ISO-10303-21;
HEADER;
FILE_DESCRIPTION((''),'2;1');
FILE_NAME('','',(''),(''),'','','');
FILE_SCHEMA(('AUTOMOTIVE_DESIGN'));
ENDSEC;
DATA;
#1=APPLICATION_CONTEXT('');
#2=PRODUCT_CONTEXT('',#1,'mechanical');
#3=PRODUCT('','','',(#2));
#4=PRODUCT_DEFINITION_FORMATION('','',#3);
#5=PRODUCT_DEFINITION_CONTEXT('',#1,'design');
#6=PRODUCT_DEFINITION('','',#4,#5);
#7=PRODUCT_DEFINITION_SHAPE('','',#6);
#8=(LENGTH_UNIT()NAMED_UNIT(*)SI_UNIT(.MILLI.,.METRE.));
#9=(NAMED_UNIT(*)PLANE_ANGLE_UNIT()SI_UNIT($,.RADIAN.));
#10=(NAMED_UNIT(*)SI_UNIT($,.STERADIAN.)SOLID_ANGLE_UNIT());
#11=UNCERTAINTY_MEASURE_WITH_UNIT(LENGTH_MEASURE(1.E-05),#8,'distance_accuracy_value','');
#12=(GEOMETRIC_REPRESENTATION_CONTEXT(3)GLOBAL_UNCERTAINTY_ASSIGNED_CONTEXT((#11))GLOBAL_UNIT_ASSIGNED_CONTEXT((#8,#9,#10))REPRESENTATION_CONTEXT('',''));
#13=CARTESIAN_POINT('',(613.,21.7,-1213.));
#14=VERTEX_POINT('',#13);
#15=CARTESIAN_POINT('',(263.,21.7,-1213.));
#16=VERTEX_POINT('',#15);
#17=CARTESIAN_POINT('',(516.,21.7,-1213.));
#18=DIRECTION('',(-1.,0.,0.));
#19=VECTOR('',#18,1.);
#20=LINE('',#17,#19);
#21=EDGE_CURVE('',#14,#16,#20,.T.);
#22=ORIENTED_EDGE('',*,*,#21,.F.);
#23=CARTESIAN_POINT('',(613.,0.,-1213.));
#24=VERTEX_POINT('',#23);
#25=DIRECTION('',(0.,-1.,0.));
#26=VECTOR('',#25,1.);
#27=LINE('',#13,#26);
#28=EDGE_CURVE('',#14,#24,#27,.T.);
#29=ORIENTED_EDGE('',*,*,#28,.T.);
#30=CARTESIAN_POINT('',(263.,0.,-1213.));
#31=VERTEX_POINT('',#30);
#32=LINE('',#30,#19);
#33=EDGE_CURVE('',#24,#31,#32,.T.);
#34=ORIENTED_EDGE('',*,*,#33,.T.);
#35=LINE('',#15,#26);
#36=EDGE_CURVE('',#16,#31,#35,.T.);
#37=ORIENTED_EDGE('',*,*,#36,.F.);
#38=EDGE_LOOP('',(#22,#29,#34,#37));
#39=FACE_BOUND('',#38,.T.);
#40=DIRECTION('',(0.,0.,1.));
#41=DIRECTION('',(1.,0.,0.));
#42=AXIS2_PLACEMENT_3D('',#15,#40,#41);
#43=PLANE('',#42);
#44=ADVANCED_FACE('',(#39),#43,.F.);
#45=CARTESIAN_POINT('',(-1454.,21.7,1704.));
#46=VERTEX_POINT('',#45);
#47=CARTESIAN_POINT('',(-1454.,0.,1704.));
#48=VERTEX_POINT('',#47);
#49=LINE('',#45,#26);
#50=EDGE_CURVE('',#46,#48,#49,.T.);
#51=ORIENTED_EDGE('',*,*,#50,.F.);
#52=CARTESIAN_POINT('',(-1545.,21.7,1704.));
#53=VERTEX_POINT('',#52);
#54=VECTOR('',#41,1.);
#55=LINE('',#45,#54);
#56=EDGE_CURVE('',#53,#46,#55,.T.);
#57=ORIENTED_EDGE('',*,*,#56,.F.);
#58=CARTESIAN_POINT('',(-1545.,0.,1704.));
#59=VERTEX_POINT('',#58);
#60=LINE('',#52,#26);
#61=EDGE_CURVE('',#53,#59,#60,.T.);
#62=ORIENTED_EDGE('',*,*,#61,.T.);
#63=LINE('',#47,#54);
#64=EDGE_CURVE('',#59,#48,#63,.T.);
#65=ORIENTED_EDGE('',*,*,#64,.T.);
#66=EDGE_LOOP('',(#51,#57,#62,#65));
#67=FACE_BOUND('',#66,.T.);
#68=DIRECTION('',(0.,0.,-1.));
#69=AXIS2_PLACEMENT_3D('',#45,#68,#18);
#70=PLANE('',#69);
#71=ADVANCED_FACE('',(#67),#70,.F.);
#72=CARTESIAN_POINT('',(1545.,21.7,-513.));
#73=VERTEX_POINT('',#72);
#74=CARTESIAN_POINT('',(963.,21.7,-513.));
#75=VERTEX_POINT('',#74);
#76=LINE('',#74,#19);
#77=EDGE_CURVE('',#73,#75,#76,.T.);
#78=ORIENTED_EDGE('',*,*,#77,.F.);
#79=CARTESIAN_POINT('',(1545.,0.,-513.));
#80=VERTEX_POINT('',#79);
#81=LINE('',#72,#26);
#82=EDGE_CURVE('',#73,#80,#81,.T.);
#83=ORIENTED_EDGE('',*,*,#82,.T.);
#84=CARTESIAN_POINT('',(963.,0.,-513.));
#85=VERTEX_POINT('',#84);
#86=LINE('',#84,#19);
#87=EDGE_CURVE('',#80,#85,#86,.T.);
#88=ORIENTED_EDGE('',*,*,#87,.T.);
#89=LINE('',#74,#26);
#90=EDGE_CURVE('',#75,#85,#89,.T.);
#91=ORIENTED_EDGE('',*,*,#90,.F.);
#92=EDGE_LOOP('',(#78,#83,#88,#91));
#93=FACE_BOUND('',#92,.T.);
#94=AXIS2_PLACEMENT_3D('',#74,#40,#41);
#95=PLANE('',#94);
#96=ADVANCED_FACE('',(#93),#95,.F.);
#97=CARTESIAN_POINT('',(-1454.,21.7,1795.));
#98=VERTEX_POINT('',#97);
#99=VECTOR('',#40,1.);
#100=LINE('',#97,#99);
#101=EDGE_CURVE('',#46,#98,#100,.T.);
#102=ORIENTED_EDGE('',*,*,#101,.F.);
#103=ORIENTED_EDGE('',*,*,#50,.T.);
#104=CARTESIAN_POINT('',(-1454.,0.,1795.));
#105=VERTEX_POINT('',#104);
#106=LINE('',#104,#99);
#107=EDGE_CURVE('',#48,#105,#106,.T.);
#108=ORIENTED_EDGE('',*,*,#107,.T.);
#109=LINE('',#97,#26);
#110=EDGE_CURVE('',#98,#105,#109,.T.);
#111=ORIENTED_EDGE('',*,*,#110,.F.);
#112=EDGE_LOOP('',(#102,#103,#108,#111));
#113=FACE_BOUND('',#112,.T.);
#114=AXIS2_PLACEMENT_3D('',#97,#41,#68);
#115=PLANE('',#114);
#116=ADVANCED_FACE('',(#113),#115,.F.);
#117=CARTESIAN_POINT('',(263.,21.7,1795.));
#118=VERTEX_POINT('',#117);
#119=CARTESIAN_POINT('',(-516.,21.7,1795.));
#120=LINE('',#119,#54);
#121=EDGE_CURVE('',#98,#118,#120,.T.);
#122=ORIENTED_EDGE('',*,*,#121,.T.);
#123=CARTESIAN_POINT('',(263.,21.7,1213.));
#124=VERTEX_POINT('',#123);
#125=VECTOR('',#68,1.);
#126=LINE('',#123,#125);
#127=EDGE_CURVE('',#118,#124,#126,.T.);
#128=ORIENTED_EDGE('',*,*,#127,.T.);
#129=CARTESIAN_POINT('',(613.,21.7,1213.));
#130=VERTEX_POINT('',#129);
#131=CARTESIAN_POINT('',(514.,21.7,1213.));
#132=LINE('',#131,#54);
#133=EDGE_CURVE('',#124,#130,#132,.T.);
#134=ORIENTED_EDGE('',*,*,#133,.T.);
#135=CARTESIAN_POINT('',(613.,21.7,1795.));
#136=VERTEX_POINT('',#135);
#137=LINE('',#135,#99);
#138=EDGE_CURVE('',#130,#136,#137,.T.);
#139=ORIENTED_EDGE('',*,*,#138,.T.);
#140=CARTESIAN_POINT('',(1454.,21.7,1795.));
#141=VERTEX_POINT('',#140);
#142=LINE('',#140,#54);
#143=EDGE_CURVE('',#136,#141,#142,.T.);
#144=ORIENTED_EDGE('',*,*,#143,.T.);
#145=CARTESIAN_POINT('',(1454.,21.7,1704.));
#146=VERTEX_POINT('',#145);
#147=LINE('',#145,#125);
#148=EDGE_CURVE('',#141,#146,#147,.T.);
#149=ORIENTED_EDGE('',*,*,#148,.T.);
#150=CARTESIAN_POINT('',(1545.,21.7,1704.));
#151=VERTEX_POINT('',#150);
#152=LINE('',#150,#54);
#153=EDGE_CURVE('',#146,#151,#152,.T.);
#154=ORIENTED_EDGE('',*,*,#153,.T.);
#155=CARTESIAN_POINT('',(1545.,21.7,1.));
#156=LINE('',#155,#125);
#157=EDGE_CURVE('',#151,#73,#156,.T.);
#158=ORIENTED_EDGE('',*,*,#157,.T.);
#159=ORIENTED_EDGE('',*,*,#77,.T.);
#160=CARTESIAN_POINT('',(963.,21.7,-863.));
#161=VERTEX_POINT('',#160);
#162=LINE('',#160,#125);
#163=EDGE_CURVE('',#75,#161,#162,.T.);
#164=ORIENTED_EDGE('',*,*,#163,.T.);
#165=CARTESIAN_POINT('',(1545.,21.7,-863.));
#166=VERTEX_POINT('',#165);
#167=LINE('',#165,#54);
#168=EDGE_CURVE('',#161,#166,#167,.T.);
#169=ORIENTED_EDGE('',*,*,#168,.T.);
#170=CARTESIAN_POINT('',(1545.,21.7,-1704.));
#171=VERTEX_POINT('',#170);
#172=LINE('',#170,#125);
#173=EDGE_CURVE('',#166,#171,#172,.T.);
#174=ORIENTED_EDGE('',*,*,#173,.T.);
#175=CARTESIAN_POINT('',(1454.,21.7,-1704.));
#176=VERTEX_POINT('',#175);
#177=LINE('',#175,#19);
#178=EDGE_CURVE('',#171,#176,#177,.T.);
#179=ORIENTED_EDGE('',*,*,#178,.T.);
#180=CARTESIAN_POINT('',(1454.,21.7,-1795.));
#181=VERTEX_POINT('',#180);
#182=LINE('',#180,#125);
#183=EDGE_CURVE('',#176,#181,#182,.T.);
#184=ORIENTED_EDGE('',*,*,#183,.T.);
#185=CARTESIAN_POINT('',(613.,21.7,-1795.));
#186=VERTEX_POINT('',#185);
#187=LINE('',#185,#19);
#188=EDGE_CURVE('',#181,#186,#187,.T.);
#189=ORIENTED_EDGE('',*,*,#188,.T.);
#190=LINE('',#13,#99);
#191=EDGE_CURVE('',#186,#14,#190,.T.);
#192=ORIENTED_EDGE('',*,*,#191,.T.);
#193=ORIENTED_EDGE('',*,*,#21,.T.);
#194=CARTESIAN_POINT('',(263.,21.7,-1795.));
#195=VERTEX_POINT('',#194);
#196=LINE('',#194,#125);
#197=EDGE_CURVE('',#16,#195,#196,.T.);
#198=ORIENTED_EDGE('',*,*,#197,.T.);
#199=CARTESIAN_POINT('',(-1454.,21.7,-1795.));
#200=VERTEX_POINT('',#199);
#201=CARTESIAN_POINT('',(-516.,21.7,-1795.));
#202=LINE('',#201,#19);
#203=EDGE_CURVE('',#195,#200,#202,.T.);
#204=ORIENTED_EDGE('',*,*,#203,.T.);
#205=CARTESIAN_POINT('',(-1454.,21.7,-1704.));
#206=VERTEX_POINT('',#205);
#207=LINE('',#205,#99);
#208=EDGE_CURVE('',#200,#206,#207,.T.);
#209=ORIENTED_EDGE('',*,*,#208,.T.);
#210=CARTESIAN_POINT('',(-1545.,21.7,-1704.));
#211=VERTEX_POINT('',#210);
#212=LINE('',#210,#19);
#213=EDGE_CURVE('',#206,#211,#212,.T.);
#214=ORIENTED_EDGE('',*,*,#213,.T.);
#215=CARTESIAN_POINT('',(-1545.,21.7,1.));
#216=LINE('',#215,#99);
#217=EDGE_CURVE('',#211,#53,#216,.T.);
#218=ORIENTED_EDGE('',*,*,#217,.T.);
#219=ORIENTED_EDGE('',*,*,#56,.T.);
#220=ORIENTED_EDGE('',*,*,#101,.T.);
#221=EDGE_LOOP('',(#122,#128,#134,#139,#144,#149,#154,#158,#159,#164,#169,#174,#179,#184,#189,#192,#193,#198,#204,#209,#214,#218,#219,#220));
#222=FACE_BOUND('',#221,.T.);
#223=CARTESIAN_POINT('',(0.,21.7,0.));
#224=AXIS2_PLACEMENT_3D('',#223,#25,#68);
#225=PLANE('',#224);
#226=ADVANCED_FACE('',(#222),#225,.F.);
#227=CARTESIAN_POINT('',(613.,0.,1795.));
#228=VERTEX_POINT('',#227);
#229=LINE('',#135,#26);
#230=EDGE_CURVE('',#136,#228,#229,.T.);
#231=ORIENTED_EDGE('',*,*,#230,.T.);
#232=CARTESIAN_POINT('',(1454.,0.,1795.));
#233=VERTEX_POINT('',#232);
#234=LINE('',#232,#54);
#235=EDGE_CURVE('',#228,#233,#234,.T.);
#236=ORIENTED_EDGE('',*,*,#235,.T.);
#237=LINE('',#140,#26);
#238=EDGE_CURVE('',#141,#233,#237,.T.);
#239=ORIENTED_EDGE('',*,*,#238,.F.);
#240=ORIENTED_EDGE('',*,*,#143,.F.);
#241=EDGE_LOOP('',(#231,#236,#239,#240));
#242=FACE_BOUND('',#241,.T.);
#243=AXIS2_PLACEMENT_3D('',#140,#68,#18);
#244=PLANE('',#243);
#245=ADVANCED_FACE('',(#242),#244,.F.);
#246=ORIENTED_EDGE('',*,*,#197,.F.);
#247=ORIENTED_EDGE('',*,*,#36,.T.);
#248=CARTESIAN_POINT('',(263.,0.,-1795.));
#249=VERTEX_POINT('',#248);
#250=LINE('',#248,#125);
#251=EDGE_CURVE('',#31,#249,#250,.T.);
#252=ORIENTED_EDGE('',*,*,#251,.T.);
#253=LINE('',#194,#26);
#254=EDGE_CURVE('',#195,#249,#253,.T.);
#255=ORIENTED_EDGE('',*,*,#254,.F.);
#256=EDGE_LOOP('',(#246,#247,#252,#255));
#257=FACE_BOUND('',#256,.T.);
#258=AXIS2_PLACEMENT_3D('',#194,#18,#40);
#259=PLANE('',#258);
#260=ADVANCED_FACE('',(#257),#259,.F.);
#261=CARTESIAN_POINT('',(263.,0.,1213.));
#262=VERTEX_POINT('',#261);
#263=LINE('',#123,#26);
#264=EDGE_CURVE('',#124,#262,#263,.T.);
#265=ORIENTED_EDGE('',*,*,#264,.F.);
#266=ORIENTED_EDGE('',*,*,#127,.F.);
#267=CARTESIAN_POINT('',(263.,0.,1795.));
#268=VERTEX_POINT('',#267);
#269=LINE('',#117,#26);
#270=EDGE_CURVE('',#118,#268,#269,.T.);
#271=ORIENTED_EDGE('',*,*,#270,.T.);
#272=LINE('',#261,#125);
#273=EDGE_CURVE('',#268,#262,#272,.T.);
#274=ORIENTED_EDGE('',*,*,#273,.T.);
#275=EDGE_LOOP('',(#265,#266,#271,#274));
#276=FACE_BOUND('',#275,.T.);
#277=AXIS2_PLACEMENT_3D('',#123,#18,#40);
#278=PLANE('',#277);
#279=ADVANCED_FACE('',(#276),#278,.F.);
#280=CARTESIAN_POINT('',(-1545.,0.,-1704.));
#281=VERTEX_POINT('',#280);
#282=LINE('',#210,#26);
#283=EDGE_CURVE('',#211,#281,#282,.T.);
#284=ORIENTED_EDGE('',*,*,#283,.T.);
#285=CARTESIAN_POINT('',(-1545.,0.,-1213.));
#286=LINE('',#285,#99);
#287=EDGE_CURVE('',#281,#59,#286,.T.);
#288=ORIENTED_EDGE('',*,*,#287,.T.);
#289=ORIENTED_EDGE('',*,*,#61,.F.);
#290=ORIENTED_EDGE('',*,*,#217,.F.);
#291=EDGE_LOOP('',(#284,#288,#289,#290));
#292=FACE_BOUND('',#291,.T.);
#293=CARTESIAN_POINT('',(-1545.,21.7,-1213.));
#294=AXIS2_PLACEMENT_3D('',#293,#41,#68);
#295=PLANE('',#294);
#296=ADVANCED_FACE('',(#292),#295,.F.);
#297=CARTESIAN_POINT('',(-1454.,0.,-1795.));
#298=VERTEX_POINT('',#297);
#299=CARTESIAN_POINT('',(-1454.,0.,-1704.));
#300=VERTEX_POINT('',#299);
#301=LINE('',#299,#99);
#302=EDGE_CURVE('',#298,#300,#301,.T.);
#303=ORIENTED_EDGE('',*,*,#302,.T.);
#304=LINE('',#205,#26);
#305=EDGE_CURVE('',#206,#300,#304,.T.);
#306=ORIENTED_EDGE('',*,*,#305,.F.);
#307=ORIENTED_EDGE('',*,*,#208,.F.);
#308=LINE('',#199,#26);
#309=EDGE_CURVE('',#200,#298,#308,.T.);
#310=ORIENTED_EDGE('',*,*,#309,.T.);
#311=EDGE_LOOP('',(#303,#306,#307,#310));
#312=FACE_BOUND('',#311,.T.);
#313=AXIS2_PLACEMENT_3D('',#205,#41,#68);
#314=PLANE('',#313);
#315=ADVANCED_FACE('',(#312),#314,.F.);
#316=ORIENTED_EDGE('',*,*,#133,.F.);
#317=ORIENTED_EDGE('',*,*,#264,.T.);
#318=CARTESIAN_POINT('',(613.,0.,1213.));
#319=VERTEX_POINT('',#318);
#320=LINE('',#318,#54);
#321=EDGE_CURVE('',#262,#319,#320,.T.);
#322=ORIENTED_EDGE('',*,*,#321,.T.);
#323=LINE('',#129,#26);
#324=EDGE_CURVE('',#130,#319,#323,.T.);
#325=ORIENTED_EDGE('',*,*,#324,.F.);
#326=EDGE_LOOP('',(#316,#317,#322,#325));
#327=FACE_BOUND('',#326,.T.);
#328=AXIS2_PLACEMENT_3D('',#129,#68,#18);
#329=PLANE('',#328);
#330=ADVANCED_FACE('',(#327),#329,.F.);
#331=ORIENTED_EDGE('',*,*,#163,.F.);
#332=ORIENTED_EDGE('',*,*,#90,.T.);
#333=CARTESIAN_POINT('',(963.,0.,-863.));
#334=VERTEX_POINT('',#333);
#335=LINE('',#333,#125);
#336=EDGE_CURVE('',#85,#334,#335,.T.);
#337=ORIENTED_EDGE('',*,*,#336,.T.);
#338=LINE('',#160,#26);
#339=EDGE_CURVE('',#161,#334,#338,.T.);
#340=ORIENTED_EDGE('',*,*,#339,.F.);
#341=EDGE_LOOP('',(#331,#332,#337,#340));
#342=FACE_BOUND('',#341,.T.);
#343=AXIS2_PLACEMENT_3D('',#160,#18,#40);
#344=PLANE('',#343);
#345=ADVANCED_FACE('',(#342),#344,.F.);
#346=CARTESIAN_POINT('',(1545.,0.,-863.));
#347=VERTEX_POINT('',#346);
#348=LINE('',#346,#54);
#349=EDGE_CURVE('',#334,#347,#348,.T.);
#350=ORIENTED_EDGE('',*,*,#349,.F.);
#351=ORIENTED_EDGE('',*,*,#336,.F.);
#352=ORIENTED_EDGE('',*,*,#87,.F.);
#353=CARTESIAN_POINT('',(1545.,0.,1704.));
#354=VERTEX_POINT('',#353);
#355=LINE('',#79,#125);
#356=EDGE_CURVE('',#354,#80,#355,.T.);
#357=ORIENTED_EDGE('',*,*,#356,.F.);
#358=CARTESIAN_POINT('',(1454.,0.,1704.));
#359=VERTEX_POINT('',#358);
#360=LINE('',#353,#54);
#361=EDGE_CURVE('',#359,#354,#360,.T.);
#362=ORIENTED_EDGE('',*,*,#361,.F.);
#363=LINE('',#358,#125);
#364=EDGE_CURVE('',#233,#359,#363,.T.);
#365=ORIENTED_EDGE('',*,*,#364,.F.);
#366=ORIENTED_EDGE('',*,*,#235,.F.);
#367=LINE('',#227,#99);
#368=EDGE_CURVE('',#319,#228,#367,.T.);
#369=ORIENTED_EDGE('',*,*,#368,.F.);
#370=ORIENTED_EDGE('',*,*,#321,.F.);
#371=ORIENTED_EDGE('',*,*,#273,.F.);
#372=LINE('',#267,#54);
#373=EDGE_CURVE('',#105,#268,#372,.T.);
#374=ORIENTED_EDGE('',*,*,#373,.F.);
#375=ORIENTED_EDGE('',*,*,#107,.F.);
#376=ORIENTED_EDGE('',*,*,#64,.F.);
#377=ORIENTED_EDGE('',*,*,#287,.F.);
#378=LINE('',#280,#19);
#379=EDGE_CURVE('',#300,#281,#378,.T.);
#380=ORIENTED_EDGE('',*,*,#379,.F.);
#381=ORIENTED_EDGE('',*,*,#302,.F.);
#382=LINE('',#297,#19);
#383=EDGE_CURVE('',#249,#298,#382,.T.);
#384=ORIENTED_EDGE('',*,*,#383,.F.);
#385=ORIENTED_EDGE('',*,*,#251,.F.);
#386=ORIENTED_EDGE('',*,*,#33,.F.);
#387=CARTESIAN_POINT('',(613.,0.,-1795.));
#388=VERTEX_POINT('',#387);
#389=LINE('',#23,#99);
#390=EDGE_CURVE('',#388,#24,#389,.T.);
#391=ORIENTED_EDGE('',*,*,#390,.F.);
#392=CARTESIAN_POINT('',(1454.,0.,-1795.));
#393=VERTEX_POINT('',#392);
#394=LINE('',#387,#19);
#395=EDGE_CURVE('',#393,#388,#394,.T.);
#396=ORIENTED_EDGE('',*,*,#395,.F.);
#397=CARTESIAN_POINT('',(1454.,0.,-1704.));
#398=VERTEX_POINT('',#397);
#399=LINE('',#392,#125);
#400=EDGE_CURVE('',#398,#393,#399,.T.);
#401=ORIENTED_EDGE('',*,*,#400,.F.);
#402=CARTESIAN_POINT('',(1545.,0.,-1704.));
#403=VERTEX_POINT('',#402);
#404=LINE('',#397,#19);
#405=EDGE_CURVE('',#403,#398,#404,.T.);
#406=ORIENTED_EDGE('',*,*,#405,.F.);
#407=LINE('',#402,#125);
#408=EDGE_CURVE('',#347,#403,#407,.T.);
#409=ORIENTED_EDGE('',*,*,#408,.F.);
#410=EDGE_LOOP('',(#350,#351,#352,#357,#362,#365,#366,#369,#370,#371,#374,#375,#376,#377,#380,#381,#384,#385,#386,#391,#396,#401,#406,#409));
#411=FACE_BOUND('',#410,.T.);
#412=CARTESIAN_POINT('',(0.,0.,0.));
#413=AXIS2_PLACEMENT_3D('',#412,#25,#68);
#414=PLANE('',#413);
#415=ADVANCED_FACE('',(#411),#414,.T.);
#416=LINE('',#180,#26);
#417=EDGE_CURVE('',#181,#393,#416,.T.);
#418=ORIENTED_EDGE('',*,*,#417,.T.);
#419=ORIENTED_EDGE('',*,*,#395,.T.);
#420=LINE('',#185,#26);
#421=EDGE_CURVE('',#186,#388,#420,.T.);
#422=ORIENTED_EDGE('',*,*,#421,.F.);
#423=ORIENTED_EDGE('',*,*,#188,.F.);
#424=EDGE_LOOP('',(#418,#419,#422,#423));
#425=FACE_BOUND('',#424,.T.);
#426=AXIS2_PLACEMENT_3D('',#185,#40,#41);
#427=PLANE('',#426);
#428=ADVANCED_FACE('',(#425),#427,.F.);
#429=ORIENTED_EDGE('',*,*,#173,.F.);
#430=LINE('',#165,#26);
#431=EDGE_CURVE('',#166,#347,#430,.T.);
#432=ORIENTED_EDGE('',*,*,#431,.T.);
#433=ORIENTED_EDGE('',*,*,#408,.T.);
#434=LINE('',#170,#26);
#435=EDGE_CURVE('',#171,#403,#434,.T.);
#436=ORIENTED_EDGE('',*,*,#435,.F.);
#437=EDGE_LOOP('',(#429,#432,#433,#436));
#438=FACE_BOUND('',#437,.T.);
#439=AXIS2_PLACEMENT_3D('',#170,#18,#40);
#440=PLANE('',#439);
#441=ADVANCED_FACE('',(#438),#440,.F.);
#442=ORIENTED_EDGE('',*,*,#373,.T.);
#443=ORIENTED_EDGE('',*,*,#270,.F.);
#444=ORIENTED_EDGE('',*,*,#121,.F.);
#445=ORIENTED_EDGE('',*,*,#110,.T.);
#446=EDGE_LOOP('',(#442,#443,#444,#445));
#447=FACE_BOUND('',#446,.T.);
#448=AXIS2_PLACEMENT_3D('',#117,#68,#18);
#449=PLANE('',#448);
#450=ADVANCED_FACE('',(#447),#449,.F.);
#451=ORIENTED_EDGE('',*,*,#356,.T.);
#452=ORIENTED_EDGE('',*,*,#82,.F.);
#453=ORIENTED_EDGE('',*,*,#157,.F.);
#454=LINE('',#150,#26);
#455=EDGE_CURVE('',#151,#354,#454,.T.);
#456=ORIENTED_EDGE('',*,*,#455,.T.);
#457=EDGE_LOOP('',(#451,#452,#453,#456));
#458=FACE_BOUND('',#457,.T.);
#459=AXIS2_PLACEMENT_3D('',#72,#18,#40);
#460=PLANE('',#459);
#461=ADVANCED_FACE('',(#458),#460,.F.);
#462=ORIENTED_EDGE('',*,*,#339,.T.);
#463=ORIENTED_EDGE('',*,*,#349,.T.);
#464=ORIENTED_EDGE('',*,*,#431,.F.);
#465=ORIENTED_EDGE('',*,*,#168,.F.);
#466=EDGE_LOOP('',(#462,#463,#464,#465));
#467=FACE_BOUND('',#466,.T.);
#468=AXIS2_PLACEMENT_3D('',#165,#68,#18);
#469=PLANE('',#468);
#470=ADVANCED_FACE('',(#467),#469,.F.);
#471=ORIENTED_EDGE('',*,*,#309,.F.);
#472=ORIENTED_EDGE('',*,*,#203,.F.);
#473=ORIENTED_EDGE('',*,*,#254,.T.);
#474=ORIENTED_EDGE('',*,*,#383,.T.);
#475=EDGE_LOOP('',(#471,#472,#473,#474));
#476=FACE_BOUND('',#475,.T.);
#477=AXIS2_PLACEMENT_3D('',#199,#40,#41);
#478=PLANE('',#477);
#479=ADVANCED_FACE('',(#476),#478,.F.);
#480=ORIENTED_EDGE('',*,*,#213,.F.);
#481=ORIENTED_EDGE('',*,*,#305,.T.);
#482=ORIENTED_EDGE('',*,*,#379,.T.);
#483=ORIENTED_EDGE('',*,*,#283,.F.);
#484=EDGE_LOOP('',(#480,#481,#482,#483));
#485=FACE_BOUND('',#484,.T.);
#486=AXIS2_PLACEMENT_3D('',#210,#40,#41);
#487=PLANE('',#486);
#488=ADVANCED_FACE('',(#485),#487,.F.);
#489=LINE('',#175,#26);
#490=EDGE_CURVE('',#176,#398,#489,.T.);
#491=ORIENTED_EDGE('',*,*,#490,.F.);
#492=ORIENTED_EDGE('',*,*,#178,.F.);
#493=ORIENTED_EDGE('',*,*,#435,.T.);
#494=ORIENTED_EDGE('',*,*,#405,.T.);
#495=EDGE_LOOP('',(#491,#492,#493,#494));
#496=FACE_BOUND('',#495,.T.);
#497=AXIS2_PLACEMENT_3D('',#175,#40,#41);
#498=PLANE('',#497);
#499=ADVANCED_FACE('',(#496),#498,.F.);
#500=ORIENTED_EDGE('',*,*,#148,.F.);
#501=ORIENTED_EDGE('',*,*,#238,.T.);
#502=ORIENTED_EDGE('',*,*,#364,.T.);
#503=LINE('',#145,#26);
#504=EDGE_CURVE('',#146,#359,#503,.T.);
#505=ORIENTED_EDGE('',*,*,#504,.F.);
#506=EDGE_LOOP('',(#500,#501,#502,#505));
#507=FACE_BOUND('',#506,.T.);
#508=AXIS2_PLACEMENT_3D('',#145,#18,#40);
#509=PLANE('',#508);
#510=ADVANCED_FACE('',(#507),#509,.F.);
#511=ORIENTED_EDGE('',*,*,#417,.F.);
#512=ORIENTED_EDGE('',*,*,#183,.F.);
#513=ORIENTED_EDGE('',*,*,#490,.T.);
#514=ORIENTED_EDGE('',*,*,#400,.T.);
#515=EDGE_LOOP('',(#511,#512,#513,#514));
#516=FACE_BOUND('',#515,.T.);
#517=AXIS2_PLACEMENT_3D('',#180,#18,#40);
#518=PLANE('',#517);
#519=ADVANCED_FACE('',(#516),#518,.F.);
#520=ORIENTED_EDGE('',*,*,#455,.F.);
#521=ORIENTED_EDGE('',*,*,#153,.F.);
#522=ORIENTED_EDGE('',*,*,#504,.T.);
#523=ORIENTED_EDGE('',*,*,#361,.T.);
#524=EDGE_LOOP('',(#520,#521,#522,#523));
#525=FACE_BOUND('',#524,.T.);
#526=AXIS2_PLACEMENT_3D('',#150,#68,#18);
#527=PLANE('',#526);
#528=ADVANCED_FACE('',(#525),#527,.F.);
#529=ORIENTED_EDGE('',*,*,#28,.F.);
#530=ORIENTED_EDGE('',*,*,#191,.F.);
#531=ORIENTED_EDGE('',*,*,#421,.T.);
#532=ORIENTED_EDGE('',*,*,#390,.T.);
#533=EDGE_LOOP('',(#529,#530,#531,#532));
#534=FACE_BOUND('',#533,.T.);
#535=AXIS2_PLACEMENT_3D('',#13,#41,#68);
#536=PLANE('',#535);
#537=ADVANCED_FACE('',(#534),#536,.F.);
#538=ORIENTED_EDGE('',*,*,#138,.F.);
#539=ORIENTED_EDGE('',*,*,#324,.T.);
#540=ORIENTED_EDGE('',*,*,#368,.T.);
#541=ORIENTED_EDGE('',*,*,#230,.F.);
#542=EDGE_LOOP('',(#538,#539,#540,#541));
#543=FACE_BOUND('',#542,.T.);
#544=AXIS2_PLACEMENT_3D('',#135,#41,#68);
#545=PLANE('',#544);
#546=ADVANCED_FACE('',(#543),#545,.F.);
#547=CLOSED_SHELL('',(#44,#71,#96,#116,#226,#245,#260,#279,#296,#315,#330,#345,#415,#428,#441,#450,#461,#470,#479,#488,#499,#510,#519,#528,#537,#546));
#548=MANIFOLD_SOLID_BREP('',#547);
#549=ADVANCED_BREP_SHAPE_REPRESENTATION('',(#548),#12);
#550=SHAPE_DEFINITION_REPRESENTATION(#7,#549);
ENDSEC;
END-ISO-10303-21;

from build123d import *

# Parameters (mm, degrees)
BOSS_EXTRUDE1_DEPTH = 21.7


with BuildPart() as part:
    # Sketch1 → Boss-Extrude1 (new body)
    with BuildSketch(Plane(origin=(0, 0, 0), x_dir=(1, 0, 0), z_dir=(0, 1, 0))):
        Polygon((-200, -1795), (-516, -1795), (-1454, -1795), (-1454, -1704), (-1545, -1704), (-1545, -1), (-1545, 1213), (-1545, 1704), (-1454, 1704), (-1454, 1795), (-516, 1795), (263, 1795), (263, 1213), (516, 1213), (613, 1213), (613, 1795), (1454, 1795), (1454, 1704), (1545, 1704), (1545, 863), (963, 863), (963, 513), (1545, 513), (1545, -1), (1545, -1704), (1454, -1704), (1454, -1795), (613, -1795), (613, -1213), (514, -1213), (263, -1213), (263, -1795), align=None)
    extrude(amount=BOSS_EXTRUDE1_DEPTH)


solid = part.part
